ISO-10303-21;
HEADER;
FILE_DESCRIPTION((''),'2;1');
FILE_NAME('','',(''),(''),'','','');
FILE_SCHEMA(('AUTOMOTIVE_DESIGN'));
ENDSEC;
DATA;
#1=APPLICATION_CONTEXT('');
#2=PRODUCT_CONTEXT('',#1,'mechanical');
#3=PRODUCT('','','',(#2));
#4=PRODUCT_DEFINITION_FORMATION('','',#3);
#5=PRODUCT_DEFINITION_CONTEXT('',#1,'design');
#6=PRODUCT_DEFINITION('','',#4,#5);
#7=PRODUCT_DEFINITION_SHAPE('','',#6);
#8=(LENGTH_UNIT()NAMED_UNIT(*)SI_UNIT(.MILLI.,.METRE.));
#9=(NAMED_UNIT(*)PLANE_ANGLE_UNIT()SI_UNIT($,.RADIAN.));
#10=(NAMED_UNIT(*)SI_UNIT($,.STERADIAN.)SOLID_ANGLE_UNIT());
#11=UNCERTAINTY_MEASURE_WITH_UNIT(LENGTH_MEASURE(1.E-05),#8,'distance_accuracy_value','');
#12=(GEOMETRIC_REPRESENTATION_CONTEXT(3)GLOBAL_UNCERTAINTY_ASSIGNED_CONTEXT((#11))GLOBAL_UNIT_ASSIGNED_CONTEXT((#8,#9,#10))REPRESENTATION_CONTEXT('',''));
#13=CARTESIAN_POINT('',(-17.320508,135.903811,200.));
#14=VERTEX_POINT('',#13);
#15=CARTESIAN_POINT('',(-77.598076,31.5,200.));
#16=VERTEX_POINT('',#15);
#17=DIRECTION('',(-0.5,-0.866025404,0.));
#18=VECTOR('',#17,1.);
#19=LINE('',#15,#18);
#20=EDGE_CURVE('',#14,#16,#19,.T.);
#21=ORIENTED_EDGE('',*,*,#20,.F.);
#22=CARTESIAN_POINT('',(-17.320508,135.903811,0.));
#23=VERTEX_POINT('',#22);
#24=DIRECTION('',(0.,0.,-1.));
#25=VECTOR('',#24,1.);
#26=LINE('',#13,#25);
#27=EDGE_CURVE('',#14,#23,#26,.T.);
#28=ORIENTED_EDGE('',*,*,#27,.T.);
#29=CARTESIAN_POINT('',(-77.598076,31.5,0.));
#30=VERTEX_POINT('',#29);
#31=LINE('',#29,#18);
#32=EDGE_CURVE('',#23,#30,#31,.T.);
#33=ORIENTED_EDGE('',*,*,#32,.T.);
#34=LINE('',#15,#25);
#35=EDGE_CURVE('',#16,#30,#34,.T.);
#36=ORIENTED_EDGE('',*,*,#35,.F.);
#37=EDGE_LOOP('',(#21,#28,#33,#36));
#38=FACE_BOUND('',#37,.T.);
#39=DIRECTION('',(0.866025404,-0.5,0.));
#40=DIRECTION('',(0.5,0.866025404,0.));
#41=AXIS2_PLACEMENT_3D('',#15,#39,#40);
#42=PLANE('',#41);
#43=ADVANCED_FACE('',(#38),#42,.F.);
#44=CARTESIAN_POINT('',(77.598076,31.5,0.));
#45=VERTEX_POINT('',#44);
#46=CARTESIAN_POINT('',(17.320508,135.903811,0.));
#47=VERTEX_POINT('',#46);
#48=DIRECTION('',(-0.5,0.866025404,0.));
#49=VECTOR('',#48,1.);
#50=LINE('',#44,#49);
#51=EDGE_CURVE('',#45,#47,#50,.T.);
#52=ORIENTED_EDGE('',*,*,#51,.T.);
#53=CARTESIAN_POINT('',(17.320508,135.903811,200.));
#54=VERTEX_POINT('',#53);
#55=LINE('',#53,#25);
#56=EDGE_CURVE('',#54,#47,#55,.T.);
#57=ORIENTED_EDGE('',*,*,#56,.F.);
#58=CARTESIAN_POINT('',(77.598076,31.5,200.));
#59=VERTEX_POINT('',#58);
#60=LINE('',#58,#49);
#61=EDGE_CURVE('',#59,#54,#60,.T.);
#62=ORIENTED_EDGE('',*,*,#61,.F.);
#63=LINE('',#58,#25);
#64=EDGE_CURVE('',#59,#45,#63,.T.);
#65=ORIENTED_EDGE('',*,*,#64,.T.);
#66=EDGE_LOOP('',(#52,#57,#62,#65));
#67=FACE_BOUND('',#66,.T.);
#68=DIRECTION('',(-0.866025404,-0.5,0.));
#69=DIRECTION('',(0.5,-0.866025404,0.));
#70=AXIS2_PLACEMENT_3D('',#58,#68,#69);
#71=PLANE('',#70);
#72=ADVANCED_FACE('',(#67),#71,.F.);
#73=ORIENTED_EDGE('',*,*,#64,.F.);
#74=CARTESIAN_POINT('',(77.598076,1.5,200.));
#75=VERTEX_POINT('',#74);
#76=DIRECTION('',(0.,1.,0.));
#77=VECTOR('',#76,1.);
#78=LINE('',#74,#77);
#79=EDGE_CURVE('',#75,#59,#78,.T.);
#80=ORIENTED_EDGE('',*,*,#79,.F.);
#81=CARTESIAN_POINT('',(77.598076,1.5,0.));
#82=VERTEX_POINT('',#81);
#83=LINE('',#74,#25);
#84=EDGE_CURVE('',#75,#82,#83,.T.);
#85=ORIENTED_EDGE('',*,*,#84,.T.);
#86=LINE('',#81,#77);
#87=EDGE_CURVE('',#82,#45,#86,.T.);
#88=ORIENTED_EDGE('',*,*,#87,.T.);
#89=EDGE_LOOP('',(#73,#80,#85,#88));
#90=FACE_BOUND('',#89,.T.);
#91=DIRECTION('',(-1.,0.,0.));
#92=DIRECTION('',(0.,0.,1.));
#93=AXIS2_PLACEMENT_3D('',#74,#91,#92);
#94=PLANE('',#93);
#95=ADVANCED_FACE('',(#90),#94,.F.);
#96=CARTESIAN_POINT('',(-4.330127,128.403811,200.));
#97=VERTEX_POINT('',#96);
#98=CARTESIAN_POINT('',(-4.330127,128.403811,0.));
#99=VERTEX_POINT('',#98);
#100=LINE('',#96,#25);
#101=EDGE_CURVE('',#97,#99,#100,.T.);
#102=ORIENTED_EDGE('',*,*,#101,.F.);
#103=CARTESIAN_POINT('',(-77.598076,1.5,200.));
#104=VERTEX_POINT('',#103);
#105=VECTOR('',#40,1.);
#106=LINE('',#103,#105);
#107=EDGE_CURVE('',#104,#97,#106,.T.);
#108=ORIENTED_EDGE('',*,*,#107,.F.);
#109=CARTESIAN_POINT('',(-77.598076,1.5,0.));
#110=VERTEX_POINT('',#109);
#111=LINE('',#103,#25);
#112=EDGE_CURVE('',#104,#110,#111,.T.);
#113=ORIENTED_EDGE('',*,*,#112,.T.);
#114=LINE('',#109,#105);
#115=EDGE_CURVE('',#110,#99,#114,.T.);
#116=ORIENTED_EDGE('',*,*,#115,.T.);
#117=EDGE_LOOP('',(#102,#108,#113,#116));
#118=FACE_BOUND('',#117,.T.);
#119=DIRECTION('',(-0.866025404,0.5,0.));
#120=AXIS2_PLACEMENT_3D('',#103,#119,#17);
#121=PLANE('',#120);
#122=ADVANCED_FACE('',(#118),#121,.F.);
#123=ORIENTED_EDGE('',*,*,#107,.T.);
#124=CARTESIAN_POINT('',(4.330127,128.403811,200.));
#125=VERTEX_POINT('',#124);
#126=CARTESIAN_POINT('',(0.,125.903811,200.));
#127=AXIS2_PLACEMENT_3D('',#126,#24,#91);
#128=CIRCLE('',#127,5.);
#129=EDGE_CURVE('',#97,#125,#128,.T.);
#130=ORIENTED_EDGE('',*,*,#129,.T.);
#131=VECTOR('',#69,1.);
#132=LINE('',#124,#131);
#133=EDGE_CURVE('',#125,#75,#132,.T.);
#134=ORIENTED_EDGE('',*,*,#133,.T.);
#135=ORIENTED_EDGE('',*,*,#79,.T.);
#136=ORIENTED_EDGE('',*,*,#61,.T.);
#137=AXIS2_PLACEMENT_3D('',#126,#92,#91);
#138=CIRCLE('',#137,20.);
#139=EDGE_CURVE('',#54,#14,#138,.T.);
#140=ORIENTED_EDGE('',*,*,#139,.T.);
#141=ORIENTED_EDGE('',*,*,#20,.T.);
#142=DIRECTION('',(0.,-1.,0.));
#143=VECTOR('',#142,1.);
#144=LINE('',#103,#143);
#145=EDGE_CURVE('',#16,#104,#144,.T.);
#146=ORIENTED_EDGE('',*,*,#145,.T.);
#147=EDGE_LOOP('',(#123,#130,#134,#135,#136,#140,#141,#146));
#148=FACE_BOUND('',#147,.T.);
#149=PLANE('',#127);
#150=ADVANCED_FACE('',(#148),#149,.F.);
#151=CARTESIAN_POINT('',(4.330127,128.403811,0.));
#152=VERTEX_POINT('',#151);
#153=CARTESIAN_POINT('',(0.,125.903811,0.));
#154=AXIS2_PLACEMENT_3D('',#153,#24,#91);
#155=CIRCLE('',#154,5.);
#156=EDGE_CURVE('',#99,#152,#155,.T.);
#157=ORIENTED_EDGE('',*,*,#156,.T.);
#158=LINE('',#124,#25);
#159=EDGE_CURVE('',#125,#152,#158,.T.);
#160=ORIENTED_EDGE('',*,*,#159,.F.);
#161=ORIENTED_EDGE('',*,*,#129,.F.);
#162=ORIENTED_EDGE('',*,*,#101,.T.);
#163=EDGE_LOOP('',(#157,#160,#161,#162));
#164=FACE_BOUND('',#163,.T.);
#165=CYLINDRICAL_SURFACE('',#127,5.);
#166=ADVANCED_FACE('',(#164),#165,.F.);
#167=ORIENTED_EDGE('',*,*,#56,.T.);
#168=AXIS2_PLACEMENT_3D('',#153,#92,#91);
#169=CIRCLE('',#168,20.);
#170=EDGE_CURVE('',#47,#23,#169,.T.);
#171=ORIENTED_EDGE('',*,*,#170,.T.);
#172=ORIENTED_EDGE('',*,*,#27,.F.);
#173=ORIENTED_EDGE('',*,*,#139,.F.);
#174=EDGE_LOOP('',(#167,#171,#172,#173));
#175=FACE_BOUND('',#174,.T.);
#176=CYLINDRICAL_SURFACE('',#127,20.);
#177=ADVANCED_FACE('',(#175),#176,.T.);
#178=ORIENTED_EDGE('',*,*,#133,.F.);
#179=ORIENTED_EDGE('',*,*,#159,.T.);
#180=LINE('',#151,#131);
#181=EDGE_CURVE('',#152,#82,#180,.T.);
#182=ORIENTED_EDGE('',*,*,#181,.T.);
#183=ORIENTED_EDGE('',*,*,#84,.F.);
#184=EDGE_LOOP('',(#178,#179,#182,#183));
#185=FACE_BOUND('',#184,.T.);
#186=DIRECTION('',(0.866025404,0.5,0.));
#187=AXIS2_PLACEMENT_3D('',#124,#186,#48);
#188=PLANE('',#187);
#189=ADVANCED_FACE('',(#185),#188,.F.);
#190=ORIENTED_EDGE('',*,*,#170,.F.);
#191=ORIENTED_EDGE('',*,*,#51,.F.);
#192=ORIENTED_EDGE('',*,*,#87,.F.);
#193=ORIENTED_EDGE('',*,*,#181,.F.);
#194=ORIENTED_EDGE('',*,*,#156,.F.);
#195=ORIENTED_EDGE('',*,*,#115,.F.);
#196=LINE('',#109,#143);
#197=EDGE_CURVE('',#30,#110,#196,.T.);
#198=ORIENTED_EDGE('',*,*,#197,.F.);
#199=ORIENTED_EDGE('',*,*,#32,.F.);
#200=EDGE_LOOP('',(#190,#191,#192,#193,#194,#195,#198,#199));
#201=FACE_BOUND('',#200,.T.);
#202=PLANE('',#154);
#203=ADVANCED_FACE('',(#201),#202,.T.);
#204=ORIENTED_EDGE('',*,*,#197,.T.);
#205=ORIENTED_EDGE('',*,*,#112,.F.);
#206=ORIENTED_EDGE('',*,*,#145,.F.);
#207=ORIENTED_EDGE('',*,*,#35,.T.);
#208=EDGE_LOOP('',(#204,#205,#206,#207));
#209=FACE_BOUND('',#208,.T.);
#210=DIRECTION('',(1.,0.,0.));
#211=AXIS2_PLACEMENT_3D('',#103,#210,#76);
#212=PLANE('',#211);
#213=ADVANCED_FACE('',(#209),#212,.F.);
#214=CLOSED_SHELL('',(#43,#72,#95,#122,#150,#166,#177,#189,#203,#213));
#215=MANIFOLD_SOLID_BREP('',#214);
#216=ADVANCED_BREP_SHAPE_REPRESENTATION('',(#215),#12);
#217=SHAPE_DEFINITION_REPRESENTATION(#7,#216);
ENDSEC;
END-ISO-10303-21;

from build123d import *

# Parameters (mm, degrees)
BOSS_EXTRUDE1_DEPTH = 200


with BuildPart() as part:
    # Sketch1 → Boss-Extrude1 (new body)
    with BuildSketch(Plane.XY):
        with BuildLine():
            Line((-77.598076211, 1.5), (-4.330127019, 128.403810568))
            ThreePointArc((-4.330127019, 128.403810568), (0, 130.903810568), (4.330127019, 128.403810568))
            Line((4.330127019, 128.403810568), (77.598076211, 1.5))
            Line((77.598076211, 1.5), (77.598076211, 31.5))
            Line((77.598076211, 31.5), (17.320508076, 135.903810568))
            ThreePointArc((17.320508076, 135.903810568), (0, 145.903810568), (-17.320508076, 135.903810568))
            Line((-17.320508076, 135.903810568), (-77.598076211, 31.5))
            Line((-77.598076211, 31.5), (-77.598076211, 1.5))
        make_face()
    extrude(amount=BOSS_EXTRUDE1_DEPTH)


solid = part.part
